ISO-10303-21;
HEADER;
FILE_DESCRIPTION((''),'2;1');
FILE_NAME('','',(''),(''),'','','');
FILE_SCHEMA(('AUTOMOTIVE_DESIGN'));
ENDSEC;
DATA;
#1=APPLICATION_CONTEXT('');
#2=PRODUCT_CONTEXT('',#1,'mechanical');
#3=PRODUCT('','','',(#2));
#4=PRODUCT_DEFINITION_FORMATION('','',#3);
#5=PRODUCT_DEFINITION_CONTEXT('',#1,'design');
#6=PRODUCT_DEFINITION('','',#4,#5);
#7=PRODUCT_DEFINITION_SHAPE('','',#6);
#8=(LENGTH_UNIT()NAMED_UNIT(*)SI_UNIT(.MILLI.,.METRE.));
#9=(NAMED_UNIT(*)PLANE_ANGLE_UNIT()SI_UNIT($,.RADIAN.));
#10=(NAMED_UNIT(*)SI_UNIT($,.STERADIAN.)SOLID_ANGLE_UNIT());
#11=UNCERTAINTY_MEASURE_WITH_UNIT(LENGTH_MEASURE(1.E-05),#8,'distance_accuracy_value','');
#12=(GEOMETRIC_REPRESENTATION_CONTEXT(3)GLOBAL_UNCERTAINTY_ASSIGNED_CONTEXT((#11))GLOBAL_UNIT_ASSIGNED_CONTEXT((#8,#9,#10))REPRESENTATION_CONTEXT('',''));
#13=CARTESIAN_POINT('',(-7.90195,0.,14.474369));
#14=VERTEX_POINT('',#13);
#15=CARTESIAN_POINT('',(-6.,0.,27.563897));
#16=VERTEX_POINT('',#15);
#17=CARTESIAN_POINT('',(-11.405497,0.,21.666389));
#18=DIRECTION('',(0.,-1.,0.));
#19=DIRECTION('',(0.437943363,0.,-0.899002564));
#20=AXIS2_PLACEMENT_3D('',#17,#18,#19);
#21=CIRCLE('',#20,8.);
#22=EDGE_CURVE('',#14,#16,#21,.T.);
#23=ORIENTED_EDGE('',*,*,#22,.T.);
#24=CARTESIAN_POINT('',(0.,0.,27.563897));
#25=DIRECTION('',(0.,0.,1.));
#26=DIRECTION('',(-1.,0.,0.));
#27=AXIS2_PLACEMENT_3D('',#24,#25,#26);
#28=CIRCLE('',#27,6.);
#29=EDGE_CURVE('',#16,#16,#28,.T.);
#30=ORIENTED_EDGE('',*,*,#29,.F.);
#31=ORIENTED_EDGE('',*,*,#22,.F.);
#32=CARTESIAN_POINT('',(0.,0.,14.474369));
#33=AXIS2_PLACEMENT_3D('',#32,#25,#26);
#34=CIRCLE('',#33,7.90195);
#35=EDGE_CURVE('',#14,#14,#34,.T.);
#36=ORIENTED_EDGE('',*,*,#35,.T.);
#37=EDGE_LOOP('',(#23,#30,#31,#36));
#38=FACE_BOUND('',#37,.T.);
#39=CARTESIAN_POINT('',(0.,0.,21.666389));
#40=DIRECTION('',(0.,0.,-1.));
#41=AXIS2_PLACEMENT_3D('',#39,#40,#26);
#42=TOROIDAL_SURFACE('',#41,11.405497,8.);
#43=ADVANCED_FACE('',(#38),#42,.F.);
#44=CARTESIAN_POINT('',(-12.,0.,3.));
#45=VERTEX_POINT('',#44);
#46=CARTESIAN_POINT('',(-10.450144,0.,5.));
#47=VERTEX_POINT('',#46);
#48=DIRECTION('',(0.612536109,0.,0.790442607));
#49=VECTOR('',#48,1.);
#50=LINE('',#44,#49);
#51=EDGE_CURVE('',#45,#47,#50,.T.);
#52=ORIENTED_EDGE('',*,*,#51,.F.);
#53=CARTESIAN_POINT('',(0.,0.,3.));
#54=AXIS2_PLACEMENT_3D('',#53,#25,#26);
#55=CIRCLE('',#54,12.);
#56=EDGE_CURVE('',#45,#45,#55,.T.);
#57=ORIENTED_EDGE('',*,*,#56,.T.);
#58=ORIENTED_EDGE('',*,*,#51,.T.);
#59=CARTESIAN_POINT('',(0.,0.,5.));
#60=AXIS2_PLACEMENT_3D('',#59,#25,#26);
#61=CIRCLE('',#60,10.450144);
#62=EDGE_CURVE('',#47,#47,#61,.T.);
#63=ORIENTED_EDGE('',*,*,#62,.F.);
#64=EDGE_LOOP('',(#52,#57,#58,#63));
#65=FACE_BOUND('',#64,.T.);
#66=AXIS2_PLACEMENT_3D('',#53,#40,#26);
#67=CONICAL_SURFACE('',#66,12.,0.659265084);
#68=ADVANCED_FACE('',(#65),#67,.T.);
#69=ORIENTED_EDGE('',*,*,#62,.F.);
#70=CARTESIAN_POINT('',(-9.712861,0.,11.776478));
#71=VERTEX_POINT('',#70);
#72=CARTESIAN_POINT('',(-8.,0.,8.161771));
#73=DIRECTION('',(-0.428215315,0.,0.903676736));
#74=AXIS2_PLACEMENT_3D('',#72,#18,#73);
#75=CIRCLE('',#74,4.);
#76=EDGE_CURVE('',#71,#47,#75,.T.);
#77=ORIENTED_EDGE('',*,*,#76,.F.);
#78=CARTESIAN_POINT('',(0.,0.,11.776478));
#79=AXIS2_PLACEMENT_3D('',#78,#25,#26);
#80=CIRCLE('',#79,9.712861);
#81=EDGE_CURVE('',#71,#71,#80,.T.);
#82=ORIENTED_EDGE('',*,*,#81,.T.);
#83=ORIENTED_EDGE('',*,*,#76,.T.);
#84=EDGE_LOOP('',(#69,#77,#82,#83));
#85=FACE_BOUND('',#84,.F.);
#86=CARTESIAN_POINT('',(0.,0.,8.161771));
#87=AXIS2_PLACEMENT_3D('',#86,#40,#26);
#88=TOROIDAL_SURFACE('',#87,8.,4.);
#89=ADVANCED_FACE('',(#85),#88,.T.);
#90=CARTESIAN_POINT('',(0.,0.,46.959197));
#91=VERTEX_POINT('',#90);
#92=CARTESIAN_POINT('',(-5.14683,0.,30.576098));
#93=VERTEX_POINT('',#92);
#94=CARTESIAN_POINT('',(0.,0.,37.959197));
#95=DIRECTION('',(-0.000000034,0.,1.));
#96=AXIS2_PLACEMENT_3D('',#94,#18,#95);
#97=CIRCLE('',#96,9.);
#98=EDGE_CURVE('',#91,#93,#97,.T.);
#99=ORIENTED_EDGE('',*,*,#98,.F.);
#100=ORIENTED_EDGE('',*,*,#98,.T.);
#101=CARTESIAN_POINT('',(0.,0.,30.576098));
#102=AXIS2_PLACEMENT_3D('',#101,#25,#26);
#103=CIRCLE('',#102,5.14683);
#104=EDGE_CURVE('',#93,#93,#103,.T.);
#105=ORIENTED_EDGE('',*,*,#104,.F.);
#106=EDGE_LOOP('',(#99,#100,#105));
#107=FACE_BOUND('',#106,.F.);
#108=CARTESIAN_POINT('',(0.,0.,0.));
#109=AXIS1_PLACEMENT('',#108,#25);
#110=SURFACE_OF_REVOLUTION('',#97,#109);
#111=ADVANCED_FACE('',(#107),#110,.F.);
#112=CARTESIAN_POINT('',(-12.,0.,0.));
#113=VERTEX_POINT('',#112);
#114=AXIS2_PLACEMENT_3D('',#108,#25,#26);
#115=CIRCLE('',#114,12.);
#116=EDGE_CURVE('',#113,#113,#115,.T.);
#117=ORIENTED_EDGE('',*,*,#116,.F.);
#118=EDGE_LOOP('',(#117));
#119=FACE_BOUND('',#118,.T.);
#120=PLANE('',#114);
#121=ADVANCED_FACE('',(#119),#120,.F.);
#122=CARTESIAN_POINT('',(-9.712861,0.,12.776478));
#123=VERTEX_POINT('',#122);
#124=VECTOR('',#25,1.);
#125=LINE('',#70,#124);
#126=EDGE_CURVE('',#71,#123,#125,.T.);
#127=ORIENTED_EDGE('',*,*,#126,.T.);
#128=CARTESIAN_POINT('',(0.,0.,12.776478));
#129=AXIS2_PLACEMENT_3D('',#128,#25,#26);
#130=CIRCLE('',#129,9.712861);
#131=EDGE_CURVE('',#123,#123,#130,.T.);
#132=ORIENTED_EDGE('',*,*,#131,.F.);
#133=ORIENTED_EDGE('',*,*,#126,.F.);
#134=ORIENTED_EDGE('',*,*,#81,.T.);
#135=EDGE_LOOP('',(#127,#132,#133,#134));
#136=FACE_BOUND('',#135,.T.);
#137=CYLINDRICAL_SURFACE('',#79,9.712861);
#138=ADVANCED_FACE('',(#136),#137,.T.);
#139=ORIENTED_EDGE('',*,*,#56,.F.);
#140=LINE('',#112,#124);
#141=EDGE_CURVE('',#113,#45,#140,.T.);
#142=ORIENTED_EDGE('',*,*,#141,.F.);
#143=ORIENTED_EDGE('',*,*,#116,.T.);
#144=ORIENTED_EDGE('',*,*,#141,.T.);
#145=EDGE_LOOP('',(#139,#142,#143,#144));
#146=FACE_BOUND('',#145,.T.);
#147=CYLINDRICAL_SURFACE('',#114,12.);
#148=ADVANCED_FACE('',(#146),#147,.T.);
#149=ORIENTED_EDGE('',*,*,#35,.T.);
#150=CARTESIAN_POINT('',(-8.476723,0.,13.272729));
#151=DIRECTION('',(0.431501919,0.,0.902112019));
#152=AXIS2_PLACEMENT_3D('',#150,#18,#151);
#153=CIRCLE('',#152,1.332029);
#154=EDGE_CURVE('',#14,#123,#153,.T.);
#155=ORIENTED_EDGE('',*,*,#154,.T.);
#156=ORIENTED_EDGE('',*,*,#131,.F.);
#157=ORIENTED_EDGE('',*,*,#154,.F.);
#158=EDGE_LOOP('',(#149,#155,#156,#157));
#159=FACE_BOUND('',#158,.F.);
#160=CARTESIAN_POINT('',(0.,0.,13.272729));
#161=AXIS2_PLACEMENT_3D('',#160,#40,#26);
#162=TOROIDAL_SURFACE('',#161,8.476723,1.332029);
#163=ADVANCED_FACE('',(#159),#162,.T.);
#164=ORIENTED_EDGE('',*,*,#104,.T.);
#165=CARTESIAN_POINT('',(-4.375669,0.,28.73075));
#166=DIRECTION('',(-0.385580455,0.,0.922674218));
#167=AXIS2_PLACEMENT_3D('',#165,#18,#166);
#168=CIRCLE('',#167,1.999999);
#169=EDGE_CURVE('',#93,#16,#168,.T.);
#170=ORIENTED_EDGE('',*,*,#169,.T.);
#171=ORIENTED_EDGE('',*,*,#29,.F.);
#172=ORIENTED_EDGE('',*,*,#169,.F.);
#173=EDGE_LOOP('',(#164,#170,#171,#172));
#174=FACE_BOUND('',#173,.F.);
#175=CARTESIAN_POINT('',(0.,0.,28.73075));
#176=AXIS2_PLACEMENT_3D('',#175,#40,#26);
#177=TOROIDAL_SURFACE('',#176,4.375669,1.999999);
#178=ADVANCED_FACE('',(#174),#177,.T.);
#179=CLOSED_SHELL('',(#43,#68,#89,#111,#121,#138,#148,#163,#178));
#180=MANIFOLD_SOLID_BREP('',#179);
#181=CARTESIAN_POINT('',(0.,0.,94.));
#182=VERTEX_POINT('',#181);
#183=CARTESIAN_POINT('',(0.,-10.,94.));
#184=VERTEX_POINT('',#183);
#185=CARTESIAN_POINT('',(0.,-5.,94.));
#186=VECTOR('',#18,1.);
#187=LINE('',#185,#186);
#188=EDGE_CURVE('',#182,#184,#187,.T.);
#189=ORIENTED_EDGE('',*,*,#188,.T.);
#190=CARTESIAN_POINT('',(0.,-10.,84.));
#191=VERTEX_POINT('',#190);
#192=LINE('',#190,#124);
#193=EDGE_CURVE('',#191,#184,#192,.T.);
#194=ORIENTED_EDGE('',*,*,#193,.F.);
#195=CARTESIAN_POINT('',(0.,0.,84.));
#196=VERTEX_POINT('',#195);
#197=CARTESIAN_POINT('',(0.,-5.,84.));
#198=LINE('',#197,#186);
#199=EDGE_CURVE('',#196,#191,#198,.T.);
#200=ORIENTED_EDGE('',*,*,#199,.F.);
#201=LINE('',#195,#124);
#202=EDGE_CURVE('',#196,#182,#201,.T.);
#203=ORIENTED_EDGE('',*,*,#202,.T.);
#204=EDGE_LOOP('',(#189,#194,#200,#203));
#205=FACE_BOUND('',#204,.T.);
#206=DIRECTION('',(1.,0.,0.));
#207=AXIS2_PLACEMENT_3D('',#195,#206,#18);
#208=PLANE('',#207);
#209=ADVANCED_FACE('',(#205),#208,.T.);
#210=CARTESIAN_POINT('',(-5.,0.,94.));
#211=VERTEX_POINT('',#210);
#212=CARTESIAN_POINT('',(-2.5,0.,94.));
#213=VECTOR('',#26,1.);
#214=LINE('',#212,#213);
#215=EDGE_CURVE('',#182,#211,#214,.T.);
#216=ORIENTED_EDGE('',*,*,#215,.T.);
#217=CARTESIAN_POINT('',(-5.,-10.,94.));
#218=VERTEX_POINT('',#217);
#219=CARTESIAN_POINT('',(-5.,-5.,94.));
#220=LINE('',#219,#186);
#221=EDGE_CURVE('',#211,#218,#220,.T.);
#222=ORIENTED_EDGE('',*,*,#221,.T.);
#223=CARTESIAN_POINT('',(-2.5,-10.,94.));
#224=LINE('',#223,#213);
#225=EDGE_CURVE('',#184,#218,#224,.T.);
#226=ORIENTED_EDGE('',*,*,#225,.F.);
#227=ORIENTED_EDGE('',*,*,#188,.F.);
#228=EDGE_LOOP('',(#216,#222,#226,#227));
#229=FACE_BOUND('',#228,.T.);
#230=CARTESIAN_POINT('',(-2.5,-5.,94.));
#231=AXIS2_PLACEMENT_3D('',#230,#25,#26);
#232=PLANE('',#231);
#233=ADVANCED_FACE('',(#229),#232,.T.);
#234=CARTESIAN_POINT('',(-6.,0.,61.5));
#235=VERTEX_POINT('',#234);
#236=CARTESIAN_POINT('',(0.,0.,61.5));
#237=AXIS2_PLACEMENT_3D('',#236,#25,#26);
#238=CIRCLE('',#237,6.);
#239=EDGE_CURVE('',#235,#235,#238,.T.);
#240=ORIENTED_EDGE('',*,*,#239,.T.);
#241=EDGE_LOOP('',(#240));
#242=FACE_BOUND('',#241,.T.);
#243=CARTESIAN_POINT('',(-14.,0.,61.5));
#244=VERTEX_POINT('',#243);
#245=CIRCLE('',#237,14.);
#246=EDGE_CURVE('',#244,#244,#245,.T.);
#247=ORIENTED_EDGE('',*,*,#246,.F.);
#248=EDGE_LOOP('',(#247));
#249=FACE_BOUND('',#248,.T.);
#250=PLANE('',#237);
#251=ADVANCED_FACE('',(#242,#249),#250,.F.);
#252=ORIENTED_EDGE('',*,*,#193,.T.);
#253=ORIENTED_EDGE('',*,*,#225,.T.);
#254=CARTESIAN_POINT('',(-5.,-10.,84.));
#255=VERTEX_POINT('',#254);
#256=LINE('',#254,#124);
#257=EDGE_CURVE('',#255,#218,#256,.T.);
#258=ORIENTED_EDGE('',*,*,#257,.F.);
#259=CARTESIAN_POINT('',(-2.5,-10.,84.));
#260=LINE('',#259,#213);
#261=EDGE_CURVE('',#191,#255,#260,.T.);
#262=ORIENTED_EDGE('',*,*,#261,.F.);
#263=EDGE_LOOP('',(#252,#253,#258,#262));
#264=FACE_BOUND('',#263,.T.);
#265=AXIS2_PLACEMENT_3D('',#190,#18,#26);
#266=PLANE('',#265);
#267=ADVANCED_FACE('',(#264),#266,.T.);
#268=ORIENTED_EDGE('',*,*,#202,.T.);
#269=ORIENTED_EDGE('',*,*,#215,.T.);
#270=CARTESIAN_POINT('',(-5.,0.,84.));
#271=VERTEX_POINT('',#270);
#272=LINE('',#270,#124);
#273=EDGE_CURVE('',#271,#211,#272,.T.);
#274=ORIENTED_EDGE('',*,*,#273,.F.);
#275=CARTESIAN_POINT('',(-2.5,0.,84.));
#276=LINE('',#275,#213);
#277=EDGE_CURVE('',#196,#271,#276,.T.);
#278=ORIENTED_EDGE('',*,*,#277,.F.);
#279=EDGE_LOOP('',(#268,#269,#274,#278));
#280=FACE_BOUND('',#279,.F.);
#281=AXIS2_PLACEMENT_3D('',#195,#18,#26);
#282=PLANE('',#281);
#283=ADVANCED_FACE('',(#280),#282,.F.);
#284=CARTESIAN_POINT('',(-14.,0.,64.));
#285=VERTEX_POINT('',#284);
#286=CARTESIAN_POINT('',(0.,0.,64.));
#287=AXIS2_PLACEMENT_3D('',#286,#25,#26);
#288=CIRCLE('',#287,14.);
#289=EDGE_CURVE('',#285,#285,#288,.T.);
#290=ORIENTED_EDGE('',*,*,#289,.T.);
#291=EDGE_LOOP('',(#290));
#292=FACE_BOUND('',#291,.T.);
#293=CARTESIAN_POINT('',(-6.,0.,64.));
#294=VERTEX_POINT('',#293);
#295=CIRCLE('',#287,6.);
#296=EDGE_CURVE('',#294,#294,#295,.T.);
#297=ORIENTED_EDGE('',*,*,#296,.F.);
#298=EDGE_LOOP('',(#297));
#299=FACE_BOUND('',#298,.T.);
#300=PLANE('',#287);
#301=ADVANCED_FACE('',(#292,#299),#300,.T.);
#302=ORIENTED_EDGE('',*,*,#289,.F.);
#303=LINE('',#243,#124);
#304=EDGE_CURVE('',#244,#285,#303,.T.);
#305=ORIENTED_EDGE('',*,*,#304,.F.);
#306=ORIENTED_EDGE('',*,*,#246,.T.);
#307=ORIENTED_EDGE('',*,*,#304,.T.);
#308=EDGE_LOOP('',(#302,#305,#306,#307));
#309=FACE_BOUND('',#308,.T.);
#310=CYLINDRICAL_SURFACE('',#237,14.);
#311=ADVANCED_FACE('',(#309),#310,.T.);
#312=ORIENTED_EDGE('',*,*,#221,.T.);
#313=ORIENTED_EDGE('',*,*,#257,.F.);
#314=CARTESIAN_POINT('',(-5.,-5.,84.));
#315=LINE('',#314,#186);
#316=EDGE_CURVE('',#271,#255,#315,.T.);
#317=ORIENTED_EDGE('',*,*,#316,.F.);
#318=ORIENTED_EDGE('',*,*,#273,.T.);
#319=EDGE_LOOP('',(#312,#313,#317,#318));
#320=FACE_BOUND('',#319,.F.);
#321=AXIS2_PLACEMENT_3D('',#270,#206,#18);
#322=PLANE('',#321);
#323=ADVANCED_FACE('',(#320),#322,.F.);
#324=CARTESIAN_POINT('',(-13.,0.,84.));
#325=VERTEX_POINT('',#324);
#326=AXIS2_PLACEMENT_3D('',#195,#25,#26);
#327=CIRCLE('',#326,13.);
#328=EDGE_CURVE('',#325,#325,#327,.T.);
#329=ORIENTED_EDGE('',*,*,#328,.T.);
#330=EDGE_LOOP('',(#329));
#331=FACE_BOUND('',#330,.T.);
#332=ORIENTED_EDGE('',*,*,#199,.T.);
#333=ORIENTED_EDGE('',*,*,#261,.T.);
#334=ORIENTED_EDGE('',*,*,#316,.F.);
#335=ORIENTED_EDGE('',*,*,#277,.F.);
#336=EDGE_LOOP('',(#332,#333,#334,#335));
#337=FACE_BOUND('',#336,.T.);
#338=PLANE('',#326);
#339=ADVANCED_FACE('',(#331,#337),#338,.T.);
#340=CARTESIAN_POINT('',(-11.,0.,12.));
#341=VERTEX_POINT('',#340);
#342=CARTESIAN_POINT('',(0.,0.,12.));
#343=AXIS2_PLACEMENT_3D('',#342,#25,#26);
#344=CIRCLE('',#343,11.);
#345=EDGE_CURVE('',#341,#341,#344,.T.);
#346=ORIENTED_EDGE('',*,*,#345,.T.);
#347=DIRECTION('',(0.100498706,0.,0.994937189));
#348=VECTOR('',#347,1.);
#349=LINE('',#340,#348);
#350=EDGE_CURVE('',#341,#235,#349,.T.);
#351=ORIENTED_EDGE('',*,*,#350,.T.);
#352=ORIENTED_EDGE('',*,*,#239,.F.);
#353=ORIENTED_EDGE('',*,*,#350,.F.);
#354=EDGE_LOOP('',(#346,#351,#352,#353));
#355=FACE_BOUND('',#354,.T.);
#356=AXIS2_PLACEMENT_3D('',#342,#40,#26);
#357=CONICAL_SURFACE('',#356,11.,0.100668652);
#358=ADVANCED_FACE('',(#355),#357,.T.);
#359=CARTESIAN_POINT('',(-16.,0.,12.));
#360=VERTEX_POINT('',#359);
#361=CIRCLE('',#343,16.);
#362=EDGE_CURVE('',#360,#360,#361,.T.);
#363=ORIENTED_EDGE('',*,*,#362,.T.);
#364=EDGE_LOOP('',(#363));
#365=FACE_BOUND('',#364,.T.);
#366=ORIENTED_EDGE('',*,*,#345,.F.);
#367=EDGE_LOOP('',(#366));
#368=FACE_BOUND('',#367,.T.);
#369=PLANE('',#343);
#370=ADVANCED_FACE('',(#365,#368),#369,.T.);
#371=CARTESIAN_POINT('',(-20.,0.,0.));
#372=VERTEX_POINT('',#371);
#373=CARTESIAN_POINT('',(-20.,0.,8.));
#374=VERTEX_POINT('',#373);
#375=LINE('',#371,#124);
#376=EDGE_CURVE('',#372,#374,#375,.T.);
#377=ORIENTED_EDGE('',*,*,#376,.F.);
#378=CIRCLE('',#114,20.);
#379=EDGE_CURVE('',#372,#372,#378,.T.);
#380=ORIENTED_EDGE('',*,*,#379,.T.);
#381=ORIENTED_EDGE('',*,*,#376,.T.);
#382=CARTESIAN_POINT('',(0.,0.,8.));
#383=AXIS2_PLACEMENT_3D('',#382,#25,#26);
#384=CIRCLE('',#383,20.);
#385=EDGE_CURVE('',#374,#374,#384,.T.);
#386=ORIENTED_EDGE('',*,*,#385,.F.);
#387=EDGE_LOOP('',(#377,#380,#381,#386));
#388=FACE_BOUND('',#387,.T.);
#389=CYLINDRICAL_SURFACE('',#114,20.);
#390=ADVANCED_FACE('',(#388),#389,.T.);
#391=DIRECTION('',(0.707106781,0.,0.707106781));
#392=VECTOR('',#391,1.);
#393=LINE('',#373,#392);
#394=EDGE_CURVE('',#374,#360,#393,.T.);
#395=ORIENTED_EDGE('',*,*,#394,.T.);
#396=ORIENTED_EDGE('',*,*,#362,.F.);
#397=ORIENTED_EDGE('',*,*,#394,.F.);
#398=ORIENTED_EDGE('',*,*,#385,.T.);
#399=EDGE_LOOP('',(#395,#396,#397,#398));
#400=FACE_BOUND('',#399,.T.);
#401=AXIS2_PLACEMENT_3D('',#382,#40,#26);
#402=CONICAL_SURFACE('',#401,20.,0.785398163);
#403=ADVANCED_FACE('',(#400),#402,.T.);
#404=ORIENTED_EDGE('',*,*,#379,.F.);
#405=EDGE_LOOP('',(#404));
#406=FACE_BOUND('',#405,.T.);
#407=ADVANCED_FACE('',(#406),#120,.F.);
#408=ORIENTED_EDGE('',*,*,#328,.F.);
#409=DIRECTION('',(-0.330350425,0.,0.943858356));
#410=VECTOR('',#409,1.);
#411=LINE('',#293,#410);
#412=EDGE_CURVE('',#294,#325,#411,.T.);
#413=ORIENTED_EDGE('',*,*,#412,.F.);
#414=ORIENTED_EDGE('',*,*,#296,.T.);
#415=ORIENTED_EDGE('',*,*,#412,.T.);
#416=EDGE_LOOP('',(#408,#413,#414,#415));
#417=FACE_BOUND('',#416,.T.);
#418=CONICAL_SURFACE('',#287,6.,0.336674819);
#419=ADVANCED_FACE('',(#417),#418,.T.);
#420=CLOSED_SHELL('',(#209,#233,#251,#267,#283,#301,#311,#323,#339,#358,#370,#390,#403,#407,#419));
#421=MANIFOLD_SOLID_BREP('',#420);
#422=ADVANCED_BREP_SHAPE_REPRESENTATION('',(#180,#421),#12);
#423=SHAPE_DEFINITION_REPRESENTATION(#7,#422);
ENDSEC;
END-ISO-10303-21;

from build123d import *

# Parameters (mm, degrees)
SKETCH005_W = 5
SKETCH005_H = 10
PAD_DEPTH   = 10


with BuildPart() as body:
    # Sketch → Revolution (revolve)
    with BuildSketch(Plane.XZ):
        with BuildLine():
            Line((0, 0), (-12, 0))
            Line((-12, 0), (-12, 3))
            Line((-12, 3), (-10.450144, 5))
            ThreePointArc((-9.712861, 11.776478), (-11.976533, 8.594419), (-10.450144, 5))
            Line((-9.712861, 11.776478), (-9.712861, 12.776478))
            ThreePointArc((-7.90195, 14.474369), (-9.387799, 14.244451), (-9.712861, 12.776478))
            ThreePointArc((-7.90195, 14.474369), (-3.488635, 20.516044), (-6, 27.563897))
            ThreePointArc((-5.14683, 30.576098), (-6.29997, 29.275786), (-6, 27.563897))
            ThreePointArc((0, 46.959197), (-8.586265, 40.656613), (-5.14683, 30.576098))
            Line((0, 40.000004), (0, 46.959197))
            Line((0, 40.000004), (0, 0))
        make_face()
    revolve(axis=Axis((0, 0, 0), (0, 0, 1)))


with BuildPart() as body001:
    # Sketch003 → Revolution001 (revolve)
    with BuildSketch(Plane.XZ):
        Polygon((0, 0), (-20, 0), (-20, 8), (-16, 12), (-11, 12), (-6, 61.5), (-14, 61.5), (-14, 64), (-6, 64), (-13, 84), (0, 84), align=None)
    revolve(axis=Axis((0, 0, 0), (0, 0, 1)))

    # Sketch005 (on Face10 of Revolution001) → Pad (new body)
    with BuildSketch(Plane(origin=(0, 0, 84), x_dir=(-1, 0, 0), z_dir=(0, 0, 1))):
        with Locations((2.5, 5)):
            Rectangle(SKETCH005_W, SKETCH005_H)
    extrude(amount=PAD_DEPTH)


solid = Compound([body.part, body001.part])
